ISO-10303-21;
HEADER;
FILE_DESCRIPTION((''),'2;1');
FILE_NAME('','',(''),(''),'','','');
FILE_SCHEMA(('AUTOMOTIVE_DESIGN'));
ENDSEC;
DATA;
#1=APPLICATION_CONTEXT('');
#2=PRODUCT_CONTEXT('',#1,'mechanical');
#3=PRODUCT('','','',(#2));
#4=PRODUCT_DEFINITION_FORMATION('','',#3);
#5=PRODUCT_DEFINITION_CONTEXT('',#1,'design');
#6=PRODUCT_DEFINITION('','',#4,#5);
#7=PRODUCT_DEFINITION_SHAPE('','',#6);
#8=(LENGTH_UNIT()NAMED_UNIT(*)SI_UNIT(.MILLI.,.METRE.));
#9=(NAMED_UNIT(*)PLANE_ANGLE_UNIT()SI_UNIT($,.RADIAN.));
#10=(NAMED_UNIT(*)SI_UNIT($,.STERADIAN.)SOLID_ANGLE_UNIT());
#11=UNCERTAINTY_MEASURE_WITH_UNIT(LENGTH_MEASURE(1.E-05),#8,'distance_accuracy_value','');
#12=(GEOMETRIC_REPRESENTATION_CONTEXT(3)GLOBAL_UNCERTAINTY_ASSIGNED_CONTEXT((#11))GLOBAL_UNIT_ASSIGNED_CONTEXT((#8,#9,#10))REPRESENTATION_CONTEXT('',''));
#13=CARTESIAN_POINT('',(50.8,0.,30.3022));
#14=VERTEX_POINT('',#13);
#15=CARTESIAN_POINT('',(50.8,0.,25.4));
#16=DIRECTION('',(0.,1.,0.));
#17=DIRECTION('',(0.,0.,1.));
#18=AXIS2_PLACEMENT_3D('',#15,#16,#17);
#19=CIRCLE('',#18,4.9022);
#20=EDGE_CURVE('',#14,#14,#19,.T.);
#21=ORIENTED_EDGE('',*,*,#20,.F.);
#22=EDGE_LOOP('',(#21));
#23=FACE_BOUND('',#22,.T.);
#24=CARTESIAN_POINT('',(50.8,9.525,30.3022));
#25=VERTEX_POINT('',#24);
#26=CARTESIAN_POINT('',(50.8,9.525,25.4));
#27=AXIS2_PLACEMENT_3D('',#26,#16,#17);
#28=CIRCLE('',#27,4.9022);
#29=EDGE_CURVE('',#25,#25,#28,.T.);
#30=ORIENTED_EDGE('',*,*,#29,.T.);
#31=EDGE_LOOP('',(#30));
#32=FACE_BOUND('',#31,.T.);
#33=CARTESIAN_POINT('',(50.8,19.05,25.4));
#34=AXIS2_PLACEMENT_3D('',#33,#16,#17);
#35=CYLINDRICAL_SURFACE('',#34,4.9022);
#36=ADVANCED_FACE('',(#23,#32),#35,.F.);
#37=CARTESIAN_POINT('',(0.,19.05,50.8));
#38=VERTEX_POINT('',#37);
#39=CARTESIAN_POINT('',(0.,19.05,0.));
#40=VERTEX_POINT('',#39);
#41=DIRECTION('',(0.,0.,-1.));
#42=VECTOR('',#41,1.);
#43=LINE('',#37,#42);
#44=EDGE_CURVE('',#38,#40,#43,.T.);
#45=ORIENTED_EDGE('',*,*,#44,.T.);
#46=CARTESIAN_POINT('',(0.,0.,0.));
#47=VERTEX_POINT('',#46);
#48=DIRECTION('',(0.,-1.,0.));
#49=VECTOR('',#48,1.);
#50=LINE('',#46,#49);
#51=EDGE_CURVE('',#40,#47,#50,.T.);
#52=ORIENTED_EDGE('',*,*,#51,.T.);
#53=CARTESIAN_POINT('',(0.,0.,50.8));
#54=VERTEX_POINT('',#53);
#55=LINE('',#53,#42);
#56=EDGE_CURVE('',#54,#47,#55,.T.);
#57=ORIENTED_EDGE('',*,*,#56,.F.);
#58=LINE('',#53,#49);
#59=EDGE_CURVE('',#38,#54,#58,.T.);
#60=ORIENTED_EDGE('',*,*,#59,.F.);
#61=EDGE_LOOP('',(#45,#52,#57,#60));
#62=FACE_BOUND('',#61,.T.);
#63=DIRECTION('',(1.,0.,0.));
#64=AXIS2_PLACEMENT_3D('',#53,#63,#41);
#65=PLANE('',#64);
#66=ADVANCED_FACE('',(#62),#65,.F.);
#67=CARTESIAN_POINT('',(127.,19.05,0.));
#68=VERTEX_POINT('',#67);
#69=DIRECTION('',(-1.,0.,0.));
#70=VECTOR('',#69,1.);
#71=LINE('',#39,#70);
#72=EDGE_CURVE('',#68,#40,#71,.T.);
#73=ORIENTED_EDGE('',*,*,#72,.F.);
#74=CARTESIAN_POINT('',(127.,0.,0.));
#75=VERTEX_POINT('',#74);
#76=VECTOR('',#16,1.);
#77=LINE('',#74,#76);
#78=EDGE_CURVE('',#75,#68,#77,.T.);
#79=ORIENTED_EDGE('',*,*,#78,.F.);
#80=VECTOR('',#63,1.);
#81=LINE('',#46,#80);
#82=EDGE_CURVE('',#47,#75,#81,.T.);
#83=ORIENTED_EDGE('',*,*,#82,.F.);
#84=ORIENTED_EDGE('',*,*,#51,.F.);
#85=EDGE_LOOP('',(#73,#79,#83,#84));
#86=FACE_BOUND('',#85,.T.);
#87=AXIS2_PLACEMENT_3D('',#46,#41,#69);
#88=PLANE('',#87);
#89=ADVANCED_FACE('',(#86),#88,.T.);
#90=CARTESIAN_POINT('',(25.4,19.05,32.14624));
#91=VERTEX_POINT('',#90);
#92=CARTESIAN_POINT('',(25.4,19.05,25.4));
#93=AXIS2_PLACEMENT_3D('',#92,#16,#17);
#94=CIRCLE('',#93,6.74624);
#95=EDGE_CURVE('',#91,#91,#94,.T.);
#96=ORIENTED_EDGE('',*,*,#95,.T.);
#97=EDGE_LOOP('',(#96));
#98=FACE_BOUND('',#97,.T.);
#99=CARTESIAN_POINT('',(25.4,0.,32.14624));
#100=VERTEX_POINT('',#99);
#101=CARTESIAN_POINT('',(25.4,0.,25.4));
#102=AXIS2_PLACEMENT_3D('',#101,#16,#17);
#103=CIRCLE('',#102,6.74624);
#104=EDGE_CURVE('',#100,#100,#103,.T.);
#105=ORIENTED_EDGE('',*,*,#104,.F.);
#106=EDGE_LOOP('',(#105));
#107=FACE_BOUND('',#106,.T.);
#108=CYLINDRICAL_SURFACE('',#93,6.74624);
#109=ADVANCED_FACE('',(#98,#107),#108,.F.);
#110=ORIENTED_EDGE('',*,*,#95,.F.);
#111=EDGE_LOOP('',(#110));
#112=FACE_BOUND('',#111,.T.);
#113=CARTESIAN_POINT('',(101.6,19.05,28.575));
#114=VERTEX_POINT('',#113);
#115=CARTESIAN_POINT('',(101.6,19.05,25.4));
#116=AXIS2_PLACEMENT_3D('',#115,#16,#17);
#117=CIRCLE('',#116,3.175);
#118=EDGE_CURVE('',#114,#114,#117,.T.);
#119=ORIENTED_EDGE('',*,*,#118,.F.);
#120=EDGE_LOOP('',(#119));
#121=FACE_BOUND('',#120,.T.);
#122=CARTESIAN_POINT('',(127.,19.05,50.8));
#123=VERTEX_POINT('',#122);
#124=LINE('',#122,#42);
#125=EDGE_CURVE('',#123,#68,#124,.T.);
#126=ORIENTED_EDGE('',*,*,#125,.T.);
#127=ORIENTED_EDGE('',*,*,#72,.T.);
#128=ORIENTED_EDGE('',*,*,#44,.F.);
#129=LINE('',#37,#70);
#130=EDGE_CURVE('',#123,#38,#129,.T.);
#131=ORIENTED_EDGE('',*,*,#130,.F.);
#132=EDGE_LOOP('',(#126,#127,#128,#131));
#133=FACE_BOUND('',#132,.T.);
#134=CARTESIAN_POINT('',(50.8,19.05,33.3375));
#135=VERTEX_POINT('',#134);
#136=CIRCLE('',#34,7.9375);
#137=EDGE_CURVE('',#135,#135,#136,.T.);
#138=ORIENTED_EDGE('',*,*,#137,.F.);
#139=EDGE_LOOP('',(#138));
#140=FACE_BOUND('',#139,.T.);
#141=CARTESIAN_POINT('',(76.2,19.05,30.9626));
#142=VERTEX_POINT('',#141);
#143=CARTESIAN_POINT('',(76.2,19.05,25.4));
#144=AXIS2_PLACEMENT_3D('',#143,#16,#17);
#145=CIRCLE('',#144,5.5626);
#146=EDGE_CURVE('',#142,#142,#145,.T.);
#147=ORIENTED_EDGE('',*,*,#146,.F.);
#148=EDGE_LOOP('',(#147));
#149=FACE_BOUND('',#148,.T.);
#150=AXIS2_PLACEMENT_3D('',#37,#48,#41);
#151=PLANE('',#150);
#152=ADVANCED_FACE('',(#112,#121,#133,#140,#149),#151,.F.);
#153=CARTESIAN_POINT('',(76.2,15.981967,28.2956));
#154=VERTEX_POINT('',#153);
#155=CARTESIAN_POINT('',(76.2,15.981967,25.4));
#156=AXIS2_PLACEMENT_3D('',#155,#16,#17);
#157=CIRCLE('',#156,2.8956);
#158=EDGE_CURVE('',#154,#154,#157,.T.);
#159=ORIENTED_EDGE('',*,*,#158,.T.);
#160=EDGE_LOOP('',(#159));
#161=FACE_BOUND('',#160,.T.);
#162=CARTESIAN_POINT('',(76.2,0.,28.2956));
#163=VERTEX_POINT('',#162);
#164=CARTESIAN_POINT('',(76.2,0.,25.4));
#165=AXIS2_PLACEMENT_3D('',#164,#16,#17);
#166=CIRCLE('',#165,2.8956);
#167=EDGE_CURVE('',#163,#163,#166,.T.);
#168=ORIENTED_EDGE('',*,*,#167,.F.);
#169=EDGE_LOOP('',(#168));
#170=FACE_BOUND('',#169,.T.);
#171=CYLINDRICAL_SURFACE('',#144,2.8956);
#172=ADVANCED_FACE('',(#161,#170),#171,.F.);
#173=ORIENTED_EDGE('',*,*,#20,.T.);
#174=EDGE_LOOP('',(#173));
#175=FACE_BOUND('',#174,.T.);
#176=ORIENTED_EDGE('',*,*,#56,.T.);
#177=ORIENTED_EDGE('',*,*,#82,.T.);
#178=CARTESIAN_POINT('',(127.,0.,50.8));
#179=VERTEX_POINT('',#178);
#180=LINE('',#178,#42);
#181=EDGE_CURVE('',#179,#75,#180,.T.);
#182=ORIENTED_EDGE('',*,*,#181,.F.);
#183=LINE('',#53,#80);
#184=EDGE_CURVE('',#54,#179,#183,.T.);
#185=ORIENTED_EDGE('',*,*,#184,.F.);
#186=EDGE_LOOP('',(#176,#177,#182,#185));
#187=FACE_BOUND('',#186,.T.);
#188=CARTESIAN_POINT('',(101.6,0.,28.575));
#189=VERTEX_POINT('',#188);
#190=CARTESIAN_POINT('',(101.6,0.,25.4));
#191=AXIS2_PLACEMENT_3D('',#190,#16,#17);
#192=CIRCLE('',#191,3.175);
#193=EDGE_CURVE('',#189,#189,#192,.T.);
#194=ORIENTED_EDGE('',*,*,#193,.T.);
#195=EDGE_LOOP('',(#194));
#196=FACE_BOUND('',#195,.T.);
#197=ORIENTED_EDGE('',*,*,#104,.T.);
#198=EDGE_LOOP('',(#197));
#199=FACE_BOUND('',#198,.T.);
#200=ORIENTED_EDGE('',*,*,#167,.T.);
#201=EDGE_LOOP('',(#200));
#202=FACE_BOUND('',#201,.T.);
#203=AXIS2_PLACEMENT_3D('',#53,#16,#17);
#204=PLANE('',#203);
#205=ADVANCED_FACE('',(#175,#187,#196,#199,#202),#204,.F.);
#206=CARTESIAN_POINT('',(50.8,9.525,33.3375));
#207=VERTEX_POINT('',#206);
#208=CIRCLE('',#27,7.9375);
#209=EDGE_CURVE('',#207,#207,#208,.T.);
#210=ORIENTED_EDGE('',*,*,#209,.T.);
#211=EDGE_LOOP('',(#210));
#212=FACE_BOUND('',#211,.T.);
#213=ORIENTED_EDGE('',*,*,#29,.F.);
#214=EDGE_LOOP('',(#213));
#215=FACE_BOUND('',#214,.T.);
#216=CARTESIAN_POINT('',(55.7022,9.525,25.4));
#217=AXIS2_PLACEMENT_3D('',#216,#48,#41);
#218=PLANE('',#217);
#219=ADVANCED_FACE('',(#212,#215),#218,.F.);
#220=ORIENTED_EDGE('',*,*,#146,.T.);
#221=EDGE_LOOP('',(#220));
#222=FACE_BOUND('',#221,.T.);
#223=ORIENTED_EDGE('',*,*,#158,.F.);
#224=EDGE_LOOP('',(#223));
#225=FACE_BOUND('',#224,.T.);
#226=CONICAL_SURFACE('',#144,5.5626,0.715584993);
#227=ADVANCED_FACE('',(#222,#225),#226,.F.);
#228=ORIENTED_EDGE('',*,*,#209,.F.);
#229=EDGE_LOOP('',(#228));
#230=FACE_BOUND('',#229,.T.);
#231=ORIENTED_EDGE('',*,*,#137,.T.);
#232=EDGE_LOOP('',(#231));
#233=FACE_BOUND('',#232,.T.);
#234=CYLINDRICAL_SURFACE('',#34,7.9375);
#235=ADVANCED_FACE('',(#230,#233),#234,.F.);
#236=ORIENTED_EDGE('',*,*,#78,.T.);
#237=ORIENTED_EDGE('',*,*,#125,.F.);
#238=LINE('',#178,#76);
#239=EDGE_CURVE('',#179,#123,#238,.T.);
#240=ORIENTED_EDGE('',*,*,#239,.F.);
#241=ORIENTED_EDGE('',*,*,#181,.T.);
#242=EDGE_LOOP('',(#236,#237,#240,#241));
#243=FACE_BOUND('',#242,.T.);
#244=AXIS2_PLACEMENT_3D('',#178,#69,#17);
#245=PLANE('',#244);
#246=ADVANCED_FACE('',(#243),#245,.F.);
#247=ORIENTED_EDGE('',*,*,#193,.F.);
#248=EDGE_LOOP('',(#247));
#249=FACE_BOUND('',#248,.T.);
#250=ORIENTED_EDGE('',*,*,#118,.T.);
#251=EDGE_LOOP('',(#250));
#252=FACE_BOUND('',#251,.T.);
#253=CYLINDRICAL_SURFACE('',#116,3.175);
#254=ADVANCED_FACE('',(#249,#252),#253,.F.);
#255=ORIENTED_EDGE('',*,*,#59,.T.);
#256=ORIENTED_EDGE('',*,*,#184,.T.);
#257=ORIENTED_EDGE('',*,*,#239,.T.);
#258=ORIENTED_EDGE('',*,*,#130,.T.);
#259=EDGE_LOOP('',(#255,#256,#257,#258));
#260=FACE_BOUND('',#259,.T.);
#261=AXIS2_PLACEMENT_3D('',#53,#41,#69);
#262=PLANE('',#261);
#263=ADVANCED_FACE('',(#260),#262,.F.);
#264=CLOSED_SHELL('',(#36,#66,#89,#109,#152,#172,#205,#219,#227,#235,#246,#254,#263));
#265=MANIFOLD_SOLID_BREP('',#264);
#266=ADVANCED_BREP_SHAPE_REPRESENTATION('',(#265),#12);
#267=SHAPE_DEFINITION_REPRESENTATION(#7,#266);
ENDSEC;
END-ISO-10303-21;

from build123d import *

# Parameters (mm, degrees)
SKETCH1_W                                        = 127
SKETCH1_H                                        = 19.05
BOSS_EXTRUDE1_DEPTH                              = 50.8
F_1_2_CLEARANCE_HOLE1_D                          = 13.49248
CBORE_FOR_3_8_SOCKET_HEAD_CAP_SCREW1_D           = 9.8044
CBORE_FOR_3_8_SOCKET_HEAD_CAP_SCREW1_CBORE_D     = 15.875
CBORE_FOR_3_8_SOCKET_HEAD_CAP_SCREW1_CBORE_DEPTH = 9.525
CSK_FOR_12_FLAT_HEAD_MACHINE_SCREW1_D            = 5.7912
CSK_FOR_12_FLAT_HEAD_MACHINE_SCREW1_CSINK_D      = 11.1252
CSK_FOR_12_FLAT_HEAD_MACHINE_SCREW1_CSINK_ANGLE  = 82
F_1_4_0_2500_DOWEL_HOLE1_D                       = 6.35


with BuildPart() as part:
    # Sketch1 → Boss-Extrude1 (new body)
    with BuildSketch(Plane.XY):
        with Locations((63.5, 9.525)):
            Rectangle(SKETCH1_W, SKETCH1_H)
    extrude(amount=BOSS_EXTRUDE1_DEPTH)

    # 1/2 Clearance Hole1 (through all)
    with Locations(Plane(origin=(0, 19.05, 0), x_dir=(1, 0, 0), z_dir=(0, 1, 0))):
        with Locations((25.4, -25.4)):
            Hole(F_1_2_CLEARANCE_HOLE1_D / 2)

    # CBORE for 3/8 Socket Head Cap Screw1 (through all)
    with Locations(Plane(origin=(0, 19.05, 0), x_dir=(1, 0, 0), z_dir=(0, 1, 0))):
        with Locations((50.8, -25.4)):
            CounterBoreHole(CBORE_FOR_3_8_SOCKET_HEAD_CAP_SCREW1_D / 2, CBORE_FOR_3_8_SOCKET_HEAD_CAP_SCREW1_CBORE_D / 2, CBORE_FOR_3_8_SOCKET_HEAD_CAP_SCREW1_CBORE_DEPTH)

    # CSK for #12 Flat Head Machine Screw1 (through all)
    with Locations(Plane(origin=(0, 19.05, 0), x_dir=(1, 0, 0), z_dir=(0, 1, 0))):
        with Locations((76.2, -25.4)):
            CounterSinkHole(CSK_FOR_12_FLAT_HEAD_MACHINE_SCREW1_D / 2, CSK_FOR_12_FLAT_HEAD_MACHINE_SCREW1_CSINK_D / 2, counter_sink_angle=CSK_FOR_12_FLAT_HEAD_MACHINE_SCREW1_CSINK_ANGLE)

    # 1/4 (0.2500) Dowel Hole1 (through all)
    with Locations(Plane(origin=(0, 19.05, 0), x_dir=(1, 0, 0), z_dir=(0, 1, 0))):
        with Locations((101.6, -25.4)):
            Hole(F_1_4_0_2500_DOWEL_HOLE1_D / 2)


solid = part.part
